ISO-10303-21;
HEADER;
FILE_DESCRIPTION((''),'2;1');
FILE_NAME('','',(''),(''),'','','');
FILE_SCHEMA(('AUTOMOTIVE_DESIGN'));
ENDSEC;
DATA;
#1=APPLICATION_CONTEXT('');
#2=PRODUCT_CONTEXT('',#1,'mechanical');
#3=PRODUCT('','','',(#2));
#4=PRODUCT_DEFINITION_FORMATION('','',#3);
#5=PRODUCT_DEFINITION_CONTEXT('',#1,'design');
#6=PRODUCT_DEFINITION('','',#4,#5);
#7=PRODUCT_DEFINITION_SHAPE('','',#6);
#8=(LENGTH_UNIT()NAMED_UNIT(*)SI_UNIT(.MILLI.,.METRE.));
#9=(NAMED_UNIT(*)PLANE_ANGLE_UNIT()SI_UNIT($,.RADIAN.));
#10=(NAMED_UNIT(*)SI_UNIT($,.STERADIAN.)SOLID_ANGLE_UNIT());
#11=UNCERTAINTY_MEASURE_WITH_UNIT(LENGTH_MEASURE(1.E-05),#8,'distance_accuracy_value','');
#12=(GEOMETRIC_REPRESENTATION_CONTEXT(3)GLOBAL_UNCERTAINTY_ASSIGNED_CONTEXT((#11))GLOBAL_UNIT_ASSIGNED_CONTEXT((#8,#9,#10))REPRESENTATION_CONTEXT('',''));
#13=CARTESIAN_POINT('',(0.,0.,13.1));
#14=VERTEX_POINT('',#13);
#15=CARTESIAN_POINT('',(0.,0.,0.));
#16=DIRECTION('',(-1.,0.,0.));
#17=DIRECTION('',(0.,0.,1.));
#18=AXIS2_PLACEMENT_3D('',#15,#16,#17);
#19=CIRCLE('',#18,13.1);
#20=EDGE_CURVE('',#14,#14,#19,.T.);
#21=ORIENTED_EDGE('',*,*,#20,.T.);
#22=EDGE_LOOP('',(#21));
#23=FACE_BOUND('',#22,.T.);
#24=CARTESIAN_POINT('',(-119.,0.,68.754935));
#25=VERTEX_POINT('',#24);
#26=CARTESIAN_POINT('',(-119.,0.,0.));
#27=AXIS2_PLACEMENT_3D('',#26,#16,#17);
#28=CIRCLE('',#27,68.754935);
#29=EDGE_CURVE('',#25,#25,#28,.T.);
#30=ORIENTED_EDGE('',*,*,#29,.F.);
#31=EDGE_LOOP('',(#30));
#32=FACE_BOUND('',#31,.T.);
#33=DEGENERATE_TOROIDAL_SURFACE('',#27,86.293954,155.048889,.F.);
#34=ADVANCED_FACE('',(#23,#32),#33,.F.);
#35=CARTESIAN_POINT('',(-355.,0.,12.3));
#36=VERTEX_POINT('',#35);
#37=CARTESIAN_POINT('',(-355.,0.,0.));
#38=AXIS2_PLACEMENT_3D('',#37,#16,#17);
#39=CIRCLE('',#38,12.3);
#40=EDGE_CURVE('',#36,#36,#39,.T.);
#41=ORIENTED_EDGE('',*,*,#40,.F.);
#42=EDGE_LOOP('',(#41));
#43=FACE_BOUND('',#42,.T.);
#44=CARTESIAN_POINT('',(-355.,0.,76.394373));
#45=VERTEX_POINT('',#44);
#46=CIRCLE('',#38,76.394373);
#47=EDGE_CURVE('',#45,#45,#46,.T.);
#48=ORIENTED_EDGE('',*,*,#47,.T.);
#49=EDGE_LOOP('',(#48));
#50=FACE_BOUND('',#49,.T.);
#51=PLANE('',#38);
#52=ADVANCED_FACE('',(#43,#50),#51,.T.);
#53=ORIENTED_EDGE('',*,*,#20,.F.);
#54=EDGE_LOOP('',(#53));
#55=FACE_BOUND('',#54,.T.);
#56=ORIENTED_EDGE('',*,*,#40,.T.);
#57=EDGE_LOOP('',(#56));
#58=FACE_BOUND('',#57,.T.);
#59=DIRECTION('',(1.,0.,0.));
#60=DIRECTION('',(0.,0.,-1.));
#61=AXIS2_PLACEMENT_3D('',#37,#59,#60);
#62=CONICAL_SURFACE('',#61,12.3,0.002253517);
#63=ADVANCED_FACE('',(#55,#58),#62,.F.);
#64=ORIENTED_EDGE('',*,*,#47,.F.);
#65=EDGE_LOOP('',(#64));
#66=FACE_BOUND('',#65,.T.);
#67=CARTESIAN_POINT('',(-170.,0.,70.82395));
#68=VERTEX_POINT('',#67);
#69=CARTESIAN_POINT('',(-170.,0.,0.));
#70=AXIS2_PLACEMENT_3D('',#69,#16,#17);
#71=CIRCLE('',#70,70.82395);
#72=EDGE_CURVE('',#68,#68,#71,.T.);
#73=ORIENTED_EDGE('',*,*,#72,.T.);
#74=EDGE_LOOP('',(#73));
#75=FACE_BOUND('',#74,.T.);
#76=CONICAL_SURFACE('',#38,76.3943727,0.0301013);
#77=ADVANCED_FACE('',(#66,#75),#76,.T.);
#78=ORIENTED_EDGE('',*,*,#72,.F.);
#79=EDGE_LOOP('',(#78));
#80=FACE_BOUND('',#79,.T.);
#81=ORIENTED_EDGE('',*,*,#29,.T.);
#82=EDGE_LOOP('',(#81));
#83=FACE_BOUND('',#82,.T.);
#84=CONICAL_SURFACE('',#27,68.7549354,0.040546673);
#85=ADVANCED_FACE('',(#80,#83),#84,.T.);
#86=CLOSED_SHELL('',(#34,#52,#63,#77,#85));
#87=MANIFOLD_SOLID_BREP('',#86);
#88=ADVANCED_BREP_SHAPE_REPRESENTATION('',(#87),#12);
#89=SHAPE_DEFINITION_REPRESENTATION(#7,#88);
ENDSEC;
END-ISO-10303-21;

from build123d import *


with BuildPart() as part:
    # Sketch1 → Revolve1 (revolve)
    with BuildSketch(Plane(origin=(0, 0, 0), x_dir=(1, 0, 0), z_dir=(0, 1, 0))):
        Polygon((-355, 76.3943727), (-355, 12.3), (-170, 12.716901408), (-170, 70.8239497), align=None)
        Polygon((-170, 70.8239497), (-170, 12.716901408), (-119, 12.831830986), (-119, 68.7549354), align=None)
        with BuildLine():
            Line((-119, 68.7549354), (-119, 12.831830986))
            Line((-119, 12.831830986), (0, 13.1))
            ThreePointArc((0, 13.1), (-53.314248435, 54.153687996), (-119, 68.7549354))
        make_face()
    revolve(axis=Axis((-69.290541893, 0, 0), (1, 0, 0)))


solid = part.part
